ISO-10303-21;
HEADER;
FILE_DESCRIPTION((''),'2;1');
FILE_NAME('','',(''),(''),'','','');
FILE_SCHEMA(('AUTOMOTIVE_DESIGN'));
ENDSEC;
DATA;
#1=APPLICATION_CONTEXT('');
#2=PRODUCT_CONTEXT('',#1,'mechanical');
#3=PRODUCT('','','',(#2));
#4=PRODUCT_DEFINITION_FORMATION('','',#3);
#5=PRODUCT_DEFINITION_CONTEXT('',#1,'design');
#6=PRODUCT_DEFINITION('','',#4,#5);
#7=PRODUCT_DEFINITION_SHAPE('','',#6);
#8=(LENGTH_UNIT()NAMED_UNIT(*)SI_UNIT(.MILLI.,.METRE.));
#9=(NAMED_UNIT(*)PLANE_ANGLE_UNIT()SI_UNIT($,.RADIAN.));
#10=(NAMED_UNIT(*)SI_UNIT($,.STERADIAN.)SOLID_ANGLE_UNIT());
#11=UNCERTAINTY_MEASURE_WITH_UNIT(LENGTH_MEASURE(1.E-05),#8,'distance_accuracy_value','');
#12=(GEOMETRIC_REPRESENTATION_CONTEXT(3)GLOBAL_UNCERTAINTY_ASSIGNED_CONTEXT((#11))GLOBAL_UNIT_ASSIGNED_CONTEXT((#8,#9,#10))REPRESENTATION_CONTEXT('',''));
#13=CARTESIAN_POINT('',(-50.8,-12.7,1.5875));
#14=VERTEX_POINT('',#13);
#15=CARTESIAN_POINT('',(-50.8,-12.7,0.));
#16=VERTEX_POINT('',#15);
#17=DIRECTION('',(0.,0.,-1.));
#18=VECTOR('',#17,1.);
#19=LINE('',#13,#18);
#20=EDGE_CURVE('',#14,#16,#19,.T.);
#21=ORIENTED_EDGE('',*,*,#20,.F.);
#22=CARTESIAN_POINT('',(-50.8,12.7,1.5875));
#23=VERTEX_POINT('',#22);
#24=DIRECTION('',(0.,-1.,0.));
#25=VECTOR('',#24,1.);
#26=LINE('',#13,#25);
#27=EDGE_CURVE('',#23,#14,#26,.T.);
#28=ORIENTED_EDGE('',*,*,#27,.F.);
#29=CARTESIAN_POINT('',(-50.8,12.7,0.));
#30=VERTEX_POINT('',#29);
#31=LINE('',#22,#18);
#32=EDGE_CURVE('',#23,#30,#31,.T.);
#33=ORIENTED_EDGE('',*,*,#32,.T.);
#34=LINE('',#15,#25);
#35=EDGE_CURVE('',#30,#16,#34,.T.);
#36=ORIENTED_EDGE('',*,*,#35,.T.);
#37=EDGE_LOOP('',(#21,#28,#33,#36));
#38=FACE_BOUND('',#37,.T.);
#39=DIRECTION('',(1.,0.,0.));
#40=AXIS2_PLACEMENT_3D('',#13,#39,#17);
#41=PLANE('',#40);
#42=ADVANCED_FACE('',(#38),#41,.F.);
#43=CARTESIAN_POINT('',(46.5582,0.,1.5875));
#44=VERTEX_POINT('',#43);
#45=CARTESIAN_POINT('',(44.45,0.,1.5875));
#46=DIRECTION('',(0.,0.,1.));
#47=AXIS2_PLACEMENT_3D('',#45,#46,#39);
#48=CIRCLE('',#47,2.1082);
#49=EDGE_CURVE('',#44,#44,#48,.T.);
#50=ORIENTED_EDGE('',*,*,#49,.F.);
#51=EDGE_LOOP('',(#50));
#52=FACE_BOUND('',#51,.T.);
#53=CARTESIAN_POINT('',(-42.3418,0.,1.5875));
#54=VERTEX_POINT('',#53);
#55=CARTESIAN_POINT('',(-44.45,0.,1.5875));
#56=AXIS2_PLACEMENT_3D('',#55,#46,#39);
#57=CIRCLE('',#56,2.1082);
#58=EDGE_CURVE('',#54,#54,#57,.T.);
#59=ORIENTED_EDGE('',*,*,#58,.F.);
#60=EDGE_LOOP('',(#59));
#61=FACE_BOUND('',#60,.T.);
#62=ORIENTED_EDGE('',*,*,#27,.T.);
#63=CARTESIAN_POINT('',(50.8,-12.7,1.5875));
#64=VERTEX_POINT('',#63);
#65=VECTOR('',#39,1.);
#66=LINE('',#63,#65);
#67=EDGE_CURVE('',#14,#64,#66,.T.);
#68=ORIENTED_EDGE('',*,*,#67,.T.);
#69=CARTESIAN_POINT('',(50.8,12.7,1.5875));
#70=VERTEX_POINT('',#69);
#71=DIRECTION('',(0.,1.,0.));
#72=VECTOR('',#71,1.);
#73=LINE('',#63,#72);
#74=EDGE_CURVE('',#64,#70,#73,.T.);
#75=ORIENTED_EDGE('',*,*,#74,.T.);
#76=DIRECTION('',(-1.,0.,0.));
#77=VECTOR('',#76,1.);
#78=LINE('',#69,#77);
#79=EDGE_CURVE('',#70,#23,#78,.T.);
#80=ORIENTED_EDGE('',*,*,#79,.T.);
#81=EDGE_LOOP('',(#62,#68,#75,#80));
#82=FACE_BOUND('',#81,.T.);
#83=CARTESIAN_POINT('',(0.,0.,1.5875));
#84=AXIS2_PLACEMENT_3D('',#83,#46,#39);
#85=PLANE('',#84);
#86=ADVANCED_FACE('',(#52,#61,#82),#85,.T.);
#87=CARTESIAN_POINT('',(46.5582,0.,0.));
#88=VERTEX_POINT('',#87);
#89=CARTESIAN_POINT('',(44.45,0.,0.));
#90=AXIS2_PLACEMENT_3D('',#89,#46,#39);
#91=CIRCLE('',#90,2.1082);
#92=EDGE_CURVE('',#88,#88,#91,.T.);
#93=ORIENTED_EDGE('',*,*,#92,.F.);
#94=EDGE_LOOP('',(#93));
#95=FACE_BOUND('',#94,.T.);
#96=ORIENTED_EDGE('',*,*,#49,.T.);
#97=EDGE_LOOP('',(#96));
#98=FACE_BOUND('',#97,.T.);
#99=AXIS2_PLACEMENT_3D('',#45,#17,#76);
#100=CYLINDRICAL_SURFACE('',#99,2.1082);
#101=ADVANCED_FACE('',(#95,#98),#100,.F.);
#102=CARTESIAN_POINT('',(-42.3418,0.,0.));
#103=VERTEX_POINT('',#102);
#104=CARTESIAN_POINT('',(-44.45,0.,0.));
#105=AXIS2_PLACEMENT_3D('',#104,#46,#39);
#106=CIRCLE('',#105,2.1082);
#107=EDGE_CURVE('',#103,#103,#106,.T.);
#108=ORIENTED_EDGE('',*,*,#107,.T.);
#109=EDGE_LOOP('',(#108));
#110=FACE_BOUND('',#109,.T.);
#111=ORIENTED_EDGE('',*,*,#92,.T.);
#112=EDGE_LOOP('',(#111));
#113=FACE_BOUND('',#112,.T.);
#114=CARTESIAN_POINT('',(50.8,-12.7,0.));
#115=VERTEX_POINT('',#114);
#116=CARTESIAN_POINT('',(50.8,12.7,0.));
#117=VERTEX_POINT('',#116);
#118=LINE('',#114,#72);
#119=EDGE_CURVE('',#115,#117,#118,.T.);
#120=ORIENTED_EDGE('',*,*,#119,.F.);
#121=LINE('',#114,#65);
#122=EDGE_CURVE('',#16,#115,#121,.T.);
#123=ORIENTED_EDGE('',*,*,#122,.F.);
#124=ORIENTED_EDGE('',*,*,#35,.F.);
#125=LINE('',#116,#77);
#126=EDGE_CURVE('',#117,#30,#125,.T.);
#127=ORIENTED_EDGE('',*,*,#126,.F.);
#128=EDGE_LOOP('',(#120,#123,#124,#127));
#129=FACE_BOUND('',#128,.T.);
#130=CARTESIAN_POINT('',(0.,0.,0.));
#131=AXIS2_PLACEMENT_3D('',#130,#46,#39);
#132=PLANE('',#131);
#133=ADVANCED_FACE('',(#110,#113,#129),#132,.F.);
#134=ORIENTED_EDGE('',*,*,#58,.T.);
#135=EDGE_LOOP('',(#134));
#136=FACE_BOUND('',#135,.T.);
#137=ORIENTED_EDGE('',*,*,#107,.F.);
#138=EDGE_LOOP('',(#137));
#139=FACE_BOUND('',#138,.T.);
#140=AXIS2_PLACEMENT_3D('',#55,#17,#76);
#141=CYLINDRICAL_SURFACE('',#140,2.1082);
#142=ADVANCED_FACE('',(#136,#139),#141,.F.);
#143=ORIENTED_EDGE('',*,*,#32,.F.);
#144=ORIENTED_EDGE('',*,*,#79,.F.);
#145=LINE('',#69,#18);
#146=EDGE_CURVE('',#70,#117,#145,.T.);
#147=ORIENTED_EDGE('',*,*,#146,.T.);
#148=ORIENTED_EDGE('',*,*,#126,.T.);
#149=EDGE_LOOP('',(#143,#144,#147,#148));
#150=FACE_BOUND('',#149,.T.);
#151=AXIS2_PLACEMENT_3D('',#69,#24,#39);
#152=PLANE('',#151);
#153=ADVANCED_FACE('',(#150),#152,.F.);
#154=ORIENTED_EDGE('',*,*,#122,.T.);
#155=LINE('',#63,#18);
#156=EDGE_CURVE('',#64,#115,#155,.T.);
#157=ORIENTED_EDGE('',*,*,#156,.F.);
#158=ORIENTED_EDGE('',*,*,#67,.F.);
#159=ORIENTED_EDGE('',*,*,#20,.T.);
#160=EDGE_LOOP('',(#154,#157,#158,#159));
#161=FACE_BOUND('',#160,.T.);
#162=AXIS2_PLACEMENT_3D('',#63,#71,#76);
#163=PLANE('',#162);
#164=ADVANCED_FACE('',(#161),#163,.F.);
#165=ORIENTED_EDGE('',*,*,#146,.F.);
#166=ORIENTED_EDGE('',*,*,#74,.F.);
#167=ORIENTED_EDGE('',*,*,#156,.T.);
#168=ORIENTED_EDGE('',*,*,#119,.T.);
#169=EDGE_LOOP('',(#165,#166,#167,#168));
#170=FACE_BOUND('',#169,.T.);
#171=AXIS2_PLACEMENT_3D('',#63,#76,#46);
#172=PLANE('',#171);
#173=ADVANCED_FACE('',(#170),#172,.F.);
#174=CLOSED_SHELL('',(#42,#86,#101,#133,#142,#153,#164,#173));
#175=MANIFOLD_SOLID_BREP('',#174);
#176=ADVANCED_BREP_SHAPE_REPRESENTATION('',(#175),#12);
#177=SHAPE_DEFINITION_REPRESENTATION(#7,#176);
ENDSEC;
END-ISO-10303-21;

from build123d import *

# Parameters (mm, degrees)
SKETCH1_W           = 101.6
SKETCH1_H           = 25.4
SKETCH1_R           = 2.1082
BOSS_EXTRUDE1_DEPTH = 1.5875


with BuildPart() as part:
    # Sketch1 → Boss-Extrude1 (new body)
    with BuildSketch(Plane.XY):
        Rectangle(SKETCH1_W, SKETCH1_H)
        with Locations((-44.45, 0)):
            Circle(SKETCH1_R, mode=Mode.SUBTRACT)
        with Locations((44.45, 0)):
            Circle(SKETCH1_R, mode=Mode.SUBTRACT)
    extrude(amount=BOSS_EXTRUDE1_DEPTH)


solid = part.part
